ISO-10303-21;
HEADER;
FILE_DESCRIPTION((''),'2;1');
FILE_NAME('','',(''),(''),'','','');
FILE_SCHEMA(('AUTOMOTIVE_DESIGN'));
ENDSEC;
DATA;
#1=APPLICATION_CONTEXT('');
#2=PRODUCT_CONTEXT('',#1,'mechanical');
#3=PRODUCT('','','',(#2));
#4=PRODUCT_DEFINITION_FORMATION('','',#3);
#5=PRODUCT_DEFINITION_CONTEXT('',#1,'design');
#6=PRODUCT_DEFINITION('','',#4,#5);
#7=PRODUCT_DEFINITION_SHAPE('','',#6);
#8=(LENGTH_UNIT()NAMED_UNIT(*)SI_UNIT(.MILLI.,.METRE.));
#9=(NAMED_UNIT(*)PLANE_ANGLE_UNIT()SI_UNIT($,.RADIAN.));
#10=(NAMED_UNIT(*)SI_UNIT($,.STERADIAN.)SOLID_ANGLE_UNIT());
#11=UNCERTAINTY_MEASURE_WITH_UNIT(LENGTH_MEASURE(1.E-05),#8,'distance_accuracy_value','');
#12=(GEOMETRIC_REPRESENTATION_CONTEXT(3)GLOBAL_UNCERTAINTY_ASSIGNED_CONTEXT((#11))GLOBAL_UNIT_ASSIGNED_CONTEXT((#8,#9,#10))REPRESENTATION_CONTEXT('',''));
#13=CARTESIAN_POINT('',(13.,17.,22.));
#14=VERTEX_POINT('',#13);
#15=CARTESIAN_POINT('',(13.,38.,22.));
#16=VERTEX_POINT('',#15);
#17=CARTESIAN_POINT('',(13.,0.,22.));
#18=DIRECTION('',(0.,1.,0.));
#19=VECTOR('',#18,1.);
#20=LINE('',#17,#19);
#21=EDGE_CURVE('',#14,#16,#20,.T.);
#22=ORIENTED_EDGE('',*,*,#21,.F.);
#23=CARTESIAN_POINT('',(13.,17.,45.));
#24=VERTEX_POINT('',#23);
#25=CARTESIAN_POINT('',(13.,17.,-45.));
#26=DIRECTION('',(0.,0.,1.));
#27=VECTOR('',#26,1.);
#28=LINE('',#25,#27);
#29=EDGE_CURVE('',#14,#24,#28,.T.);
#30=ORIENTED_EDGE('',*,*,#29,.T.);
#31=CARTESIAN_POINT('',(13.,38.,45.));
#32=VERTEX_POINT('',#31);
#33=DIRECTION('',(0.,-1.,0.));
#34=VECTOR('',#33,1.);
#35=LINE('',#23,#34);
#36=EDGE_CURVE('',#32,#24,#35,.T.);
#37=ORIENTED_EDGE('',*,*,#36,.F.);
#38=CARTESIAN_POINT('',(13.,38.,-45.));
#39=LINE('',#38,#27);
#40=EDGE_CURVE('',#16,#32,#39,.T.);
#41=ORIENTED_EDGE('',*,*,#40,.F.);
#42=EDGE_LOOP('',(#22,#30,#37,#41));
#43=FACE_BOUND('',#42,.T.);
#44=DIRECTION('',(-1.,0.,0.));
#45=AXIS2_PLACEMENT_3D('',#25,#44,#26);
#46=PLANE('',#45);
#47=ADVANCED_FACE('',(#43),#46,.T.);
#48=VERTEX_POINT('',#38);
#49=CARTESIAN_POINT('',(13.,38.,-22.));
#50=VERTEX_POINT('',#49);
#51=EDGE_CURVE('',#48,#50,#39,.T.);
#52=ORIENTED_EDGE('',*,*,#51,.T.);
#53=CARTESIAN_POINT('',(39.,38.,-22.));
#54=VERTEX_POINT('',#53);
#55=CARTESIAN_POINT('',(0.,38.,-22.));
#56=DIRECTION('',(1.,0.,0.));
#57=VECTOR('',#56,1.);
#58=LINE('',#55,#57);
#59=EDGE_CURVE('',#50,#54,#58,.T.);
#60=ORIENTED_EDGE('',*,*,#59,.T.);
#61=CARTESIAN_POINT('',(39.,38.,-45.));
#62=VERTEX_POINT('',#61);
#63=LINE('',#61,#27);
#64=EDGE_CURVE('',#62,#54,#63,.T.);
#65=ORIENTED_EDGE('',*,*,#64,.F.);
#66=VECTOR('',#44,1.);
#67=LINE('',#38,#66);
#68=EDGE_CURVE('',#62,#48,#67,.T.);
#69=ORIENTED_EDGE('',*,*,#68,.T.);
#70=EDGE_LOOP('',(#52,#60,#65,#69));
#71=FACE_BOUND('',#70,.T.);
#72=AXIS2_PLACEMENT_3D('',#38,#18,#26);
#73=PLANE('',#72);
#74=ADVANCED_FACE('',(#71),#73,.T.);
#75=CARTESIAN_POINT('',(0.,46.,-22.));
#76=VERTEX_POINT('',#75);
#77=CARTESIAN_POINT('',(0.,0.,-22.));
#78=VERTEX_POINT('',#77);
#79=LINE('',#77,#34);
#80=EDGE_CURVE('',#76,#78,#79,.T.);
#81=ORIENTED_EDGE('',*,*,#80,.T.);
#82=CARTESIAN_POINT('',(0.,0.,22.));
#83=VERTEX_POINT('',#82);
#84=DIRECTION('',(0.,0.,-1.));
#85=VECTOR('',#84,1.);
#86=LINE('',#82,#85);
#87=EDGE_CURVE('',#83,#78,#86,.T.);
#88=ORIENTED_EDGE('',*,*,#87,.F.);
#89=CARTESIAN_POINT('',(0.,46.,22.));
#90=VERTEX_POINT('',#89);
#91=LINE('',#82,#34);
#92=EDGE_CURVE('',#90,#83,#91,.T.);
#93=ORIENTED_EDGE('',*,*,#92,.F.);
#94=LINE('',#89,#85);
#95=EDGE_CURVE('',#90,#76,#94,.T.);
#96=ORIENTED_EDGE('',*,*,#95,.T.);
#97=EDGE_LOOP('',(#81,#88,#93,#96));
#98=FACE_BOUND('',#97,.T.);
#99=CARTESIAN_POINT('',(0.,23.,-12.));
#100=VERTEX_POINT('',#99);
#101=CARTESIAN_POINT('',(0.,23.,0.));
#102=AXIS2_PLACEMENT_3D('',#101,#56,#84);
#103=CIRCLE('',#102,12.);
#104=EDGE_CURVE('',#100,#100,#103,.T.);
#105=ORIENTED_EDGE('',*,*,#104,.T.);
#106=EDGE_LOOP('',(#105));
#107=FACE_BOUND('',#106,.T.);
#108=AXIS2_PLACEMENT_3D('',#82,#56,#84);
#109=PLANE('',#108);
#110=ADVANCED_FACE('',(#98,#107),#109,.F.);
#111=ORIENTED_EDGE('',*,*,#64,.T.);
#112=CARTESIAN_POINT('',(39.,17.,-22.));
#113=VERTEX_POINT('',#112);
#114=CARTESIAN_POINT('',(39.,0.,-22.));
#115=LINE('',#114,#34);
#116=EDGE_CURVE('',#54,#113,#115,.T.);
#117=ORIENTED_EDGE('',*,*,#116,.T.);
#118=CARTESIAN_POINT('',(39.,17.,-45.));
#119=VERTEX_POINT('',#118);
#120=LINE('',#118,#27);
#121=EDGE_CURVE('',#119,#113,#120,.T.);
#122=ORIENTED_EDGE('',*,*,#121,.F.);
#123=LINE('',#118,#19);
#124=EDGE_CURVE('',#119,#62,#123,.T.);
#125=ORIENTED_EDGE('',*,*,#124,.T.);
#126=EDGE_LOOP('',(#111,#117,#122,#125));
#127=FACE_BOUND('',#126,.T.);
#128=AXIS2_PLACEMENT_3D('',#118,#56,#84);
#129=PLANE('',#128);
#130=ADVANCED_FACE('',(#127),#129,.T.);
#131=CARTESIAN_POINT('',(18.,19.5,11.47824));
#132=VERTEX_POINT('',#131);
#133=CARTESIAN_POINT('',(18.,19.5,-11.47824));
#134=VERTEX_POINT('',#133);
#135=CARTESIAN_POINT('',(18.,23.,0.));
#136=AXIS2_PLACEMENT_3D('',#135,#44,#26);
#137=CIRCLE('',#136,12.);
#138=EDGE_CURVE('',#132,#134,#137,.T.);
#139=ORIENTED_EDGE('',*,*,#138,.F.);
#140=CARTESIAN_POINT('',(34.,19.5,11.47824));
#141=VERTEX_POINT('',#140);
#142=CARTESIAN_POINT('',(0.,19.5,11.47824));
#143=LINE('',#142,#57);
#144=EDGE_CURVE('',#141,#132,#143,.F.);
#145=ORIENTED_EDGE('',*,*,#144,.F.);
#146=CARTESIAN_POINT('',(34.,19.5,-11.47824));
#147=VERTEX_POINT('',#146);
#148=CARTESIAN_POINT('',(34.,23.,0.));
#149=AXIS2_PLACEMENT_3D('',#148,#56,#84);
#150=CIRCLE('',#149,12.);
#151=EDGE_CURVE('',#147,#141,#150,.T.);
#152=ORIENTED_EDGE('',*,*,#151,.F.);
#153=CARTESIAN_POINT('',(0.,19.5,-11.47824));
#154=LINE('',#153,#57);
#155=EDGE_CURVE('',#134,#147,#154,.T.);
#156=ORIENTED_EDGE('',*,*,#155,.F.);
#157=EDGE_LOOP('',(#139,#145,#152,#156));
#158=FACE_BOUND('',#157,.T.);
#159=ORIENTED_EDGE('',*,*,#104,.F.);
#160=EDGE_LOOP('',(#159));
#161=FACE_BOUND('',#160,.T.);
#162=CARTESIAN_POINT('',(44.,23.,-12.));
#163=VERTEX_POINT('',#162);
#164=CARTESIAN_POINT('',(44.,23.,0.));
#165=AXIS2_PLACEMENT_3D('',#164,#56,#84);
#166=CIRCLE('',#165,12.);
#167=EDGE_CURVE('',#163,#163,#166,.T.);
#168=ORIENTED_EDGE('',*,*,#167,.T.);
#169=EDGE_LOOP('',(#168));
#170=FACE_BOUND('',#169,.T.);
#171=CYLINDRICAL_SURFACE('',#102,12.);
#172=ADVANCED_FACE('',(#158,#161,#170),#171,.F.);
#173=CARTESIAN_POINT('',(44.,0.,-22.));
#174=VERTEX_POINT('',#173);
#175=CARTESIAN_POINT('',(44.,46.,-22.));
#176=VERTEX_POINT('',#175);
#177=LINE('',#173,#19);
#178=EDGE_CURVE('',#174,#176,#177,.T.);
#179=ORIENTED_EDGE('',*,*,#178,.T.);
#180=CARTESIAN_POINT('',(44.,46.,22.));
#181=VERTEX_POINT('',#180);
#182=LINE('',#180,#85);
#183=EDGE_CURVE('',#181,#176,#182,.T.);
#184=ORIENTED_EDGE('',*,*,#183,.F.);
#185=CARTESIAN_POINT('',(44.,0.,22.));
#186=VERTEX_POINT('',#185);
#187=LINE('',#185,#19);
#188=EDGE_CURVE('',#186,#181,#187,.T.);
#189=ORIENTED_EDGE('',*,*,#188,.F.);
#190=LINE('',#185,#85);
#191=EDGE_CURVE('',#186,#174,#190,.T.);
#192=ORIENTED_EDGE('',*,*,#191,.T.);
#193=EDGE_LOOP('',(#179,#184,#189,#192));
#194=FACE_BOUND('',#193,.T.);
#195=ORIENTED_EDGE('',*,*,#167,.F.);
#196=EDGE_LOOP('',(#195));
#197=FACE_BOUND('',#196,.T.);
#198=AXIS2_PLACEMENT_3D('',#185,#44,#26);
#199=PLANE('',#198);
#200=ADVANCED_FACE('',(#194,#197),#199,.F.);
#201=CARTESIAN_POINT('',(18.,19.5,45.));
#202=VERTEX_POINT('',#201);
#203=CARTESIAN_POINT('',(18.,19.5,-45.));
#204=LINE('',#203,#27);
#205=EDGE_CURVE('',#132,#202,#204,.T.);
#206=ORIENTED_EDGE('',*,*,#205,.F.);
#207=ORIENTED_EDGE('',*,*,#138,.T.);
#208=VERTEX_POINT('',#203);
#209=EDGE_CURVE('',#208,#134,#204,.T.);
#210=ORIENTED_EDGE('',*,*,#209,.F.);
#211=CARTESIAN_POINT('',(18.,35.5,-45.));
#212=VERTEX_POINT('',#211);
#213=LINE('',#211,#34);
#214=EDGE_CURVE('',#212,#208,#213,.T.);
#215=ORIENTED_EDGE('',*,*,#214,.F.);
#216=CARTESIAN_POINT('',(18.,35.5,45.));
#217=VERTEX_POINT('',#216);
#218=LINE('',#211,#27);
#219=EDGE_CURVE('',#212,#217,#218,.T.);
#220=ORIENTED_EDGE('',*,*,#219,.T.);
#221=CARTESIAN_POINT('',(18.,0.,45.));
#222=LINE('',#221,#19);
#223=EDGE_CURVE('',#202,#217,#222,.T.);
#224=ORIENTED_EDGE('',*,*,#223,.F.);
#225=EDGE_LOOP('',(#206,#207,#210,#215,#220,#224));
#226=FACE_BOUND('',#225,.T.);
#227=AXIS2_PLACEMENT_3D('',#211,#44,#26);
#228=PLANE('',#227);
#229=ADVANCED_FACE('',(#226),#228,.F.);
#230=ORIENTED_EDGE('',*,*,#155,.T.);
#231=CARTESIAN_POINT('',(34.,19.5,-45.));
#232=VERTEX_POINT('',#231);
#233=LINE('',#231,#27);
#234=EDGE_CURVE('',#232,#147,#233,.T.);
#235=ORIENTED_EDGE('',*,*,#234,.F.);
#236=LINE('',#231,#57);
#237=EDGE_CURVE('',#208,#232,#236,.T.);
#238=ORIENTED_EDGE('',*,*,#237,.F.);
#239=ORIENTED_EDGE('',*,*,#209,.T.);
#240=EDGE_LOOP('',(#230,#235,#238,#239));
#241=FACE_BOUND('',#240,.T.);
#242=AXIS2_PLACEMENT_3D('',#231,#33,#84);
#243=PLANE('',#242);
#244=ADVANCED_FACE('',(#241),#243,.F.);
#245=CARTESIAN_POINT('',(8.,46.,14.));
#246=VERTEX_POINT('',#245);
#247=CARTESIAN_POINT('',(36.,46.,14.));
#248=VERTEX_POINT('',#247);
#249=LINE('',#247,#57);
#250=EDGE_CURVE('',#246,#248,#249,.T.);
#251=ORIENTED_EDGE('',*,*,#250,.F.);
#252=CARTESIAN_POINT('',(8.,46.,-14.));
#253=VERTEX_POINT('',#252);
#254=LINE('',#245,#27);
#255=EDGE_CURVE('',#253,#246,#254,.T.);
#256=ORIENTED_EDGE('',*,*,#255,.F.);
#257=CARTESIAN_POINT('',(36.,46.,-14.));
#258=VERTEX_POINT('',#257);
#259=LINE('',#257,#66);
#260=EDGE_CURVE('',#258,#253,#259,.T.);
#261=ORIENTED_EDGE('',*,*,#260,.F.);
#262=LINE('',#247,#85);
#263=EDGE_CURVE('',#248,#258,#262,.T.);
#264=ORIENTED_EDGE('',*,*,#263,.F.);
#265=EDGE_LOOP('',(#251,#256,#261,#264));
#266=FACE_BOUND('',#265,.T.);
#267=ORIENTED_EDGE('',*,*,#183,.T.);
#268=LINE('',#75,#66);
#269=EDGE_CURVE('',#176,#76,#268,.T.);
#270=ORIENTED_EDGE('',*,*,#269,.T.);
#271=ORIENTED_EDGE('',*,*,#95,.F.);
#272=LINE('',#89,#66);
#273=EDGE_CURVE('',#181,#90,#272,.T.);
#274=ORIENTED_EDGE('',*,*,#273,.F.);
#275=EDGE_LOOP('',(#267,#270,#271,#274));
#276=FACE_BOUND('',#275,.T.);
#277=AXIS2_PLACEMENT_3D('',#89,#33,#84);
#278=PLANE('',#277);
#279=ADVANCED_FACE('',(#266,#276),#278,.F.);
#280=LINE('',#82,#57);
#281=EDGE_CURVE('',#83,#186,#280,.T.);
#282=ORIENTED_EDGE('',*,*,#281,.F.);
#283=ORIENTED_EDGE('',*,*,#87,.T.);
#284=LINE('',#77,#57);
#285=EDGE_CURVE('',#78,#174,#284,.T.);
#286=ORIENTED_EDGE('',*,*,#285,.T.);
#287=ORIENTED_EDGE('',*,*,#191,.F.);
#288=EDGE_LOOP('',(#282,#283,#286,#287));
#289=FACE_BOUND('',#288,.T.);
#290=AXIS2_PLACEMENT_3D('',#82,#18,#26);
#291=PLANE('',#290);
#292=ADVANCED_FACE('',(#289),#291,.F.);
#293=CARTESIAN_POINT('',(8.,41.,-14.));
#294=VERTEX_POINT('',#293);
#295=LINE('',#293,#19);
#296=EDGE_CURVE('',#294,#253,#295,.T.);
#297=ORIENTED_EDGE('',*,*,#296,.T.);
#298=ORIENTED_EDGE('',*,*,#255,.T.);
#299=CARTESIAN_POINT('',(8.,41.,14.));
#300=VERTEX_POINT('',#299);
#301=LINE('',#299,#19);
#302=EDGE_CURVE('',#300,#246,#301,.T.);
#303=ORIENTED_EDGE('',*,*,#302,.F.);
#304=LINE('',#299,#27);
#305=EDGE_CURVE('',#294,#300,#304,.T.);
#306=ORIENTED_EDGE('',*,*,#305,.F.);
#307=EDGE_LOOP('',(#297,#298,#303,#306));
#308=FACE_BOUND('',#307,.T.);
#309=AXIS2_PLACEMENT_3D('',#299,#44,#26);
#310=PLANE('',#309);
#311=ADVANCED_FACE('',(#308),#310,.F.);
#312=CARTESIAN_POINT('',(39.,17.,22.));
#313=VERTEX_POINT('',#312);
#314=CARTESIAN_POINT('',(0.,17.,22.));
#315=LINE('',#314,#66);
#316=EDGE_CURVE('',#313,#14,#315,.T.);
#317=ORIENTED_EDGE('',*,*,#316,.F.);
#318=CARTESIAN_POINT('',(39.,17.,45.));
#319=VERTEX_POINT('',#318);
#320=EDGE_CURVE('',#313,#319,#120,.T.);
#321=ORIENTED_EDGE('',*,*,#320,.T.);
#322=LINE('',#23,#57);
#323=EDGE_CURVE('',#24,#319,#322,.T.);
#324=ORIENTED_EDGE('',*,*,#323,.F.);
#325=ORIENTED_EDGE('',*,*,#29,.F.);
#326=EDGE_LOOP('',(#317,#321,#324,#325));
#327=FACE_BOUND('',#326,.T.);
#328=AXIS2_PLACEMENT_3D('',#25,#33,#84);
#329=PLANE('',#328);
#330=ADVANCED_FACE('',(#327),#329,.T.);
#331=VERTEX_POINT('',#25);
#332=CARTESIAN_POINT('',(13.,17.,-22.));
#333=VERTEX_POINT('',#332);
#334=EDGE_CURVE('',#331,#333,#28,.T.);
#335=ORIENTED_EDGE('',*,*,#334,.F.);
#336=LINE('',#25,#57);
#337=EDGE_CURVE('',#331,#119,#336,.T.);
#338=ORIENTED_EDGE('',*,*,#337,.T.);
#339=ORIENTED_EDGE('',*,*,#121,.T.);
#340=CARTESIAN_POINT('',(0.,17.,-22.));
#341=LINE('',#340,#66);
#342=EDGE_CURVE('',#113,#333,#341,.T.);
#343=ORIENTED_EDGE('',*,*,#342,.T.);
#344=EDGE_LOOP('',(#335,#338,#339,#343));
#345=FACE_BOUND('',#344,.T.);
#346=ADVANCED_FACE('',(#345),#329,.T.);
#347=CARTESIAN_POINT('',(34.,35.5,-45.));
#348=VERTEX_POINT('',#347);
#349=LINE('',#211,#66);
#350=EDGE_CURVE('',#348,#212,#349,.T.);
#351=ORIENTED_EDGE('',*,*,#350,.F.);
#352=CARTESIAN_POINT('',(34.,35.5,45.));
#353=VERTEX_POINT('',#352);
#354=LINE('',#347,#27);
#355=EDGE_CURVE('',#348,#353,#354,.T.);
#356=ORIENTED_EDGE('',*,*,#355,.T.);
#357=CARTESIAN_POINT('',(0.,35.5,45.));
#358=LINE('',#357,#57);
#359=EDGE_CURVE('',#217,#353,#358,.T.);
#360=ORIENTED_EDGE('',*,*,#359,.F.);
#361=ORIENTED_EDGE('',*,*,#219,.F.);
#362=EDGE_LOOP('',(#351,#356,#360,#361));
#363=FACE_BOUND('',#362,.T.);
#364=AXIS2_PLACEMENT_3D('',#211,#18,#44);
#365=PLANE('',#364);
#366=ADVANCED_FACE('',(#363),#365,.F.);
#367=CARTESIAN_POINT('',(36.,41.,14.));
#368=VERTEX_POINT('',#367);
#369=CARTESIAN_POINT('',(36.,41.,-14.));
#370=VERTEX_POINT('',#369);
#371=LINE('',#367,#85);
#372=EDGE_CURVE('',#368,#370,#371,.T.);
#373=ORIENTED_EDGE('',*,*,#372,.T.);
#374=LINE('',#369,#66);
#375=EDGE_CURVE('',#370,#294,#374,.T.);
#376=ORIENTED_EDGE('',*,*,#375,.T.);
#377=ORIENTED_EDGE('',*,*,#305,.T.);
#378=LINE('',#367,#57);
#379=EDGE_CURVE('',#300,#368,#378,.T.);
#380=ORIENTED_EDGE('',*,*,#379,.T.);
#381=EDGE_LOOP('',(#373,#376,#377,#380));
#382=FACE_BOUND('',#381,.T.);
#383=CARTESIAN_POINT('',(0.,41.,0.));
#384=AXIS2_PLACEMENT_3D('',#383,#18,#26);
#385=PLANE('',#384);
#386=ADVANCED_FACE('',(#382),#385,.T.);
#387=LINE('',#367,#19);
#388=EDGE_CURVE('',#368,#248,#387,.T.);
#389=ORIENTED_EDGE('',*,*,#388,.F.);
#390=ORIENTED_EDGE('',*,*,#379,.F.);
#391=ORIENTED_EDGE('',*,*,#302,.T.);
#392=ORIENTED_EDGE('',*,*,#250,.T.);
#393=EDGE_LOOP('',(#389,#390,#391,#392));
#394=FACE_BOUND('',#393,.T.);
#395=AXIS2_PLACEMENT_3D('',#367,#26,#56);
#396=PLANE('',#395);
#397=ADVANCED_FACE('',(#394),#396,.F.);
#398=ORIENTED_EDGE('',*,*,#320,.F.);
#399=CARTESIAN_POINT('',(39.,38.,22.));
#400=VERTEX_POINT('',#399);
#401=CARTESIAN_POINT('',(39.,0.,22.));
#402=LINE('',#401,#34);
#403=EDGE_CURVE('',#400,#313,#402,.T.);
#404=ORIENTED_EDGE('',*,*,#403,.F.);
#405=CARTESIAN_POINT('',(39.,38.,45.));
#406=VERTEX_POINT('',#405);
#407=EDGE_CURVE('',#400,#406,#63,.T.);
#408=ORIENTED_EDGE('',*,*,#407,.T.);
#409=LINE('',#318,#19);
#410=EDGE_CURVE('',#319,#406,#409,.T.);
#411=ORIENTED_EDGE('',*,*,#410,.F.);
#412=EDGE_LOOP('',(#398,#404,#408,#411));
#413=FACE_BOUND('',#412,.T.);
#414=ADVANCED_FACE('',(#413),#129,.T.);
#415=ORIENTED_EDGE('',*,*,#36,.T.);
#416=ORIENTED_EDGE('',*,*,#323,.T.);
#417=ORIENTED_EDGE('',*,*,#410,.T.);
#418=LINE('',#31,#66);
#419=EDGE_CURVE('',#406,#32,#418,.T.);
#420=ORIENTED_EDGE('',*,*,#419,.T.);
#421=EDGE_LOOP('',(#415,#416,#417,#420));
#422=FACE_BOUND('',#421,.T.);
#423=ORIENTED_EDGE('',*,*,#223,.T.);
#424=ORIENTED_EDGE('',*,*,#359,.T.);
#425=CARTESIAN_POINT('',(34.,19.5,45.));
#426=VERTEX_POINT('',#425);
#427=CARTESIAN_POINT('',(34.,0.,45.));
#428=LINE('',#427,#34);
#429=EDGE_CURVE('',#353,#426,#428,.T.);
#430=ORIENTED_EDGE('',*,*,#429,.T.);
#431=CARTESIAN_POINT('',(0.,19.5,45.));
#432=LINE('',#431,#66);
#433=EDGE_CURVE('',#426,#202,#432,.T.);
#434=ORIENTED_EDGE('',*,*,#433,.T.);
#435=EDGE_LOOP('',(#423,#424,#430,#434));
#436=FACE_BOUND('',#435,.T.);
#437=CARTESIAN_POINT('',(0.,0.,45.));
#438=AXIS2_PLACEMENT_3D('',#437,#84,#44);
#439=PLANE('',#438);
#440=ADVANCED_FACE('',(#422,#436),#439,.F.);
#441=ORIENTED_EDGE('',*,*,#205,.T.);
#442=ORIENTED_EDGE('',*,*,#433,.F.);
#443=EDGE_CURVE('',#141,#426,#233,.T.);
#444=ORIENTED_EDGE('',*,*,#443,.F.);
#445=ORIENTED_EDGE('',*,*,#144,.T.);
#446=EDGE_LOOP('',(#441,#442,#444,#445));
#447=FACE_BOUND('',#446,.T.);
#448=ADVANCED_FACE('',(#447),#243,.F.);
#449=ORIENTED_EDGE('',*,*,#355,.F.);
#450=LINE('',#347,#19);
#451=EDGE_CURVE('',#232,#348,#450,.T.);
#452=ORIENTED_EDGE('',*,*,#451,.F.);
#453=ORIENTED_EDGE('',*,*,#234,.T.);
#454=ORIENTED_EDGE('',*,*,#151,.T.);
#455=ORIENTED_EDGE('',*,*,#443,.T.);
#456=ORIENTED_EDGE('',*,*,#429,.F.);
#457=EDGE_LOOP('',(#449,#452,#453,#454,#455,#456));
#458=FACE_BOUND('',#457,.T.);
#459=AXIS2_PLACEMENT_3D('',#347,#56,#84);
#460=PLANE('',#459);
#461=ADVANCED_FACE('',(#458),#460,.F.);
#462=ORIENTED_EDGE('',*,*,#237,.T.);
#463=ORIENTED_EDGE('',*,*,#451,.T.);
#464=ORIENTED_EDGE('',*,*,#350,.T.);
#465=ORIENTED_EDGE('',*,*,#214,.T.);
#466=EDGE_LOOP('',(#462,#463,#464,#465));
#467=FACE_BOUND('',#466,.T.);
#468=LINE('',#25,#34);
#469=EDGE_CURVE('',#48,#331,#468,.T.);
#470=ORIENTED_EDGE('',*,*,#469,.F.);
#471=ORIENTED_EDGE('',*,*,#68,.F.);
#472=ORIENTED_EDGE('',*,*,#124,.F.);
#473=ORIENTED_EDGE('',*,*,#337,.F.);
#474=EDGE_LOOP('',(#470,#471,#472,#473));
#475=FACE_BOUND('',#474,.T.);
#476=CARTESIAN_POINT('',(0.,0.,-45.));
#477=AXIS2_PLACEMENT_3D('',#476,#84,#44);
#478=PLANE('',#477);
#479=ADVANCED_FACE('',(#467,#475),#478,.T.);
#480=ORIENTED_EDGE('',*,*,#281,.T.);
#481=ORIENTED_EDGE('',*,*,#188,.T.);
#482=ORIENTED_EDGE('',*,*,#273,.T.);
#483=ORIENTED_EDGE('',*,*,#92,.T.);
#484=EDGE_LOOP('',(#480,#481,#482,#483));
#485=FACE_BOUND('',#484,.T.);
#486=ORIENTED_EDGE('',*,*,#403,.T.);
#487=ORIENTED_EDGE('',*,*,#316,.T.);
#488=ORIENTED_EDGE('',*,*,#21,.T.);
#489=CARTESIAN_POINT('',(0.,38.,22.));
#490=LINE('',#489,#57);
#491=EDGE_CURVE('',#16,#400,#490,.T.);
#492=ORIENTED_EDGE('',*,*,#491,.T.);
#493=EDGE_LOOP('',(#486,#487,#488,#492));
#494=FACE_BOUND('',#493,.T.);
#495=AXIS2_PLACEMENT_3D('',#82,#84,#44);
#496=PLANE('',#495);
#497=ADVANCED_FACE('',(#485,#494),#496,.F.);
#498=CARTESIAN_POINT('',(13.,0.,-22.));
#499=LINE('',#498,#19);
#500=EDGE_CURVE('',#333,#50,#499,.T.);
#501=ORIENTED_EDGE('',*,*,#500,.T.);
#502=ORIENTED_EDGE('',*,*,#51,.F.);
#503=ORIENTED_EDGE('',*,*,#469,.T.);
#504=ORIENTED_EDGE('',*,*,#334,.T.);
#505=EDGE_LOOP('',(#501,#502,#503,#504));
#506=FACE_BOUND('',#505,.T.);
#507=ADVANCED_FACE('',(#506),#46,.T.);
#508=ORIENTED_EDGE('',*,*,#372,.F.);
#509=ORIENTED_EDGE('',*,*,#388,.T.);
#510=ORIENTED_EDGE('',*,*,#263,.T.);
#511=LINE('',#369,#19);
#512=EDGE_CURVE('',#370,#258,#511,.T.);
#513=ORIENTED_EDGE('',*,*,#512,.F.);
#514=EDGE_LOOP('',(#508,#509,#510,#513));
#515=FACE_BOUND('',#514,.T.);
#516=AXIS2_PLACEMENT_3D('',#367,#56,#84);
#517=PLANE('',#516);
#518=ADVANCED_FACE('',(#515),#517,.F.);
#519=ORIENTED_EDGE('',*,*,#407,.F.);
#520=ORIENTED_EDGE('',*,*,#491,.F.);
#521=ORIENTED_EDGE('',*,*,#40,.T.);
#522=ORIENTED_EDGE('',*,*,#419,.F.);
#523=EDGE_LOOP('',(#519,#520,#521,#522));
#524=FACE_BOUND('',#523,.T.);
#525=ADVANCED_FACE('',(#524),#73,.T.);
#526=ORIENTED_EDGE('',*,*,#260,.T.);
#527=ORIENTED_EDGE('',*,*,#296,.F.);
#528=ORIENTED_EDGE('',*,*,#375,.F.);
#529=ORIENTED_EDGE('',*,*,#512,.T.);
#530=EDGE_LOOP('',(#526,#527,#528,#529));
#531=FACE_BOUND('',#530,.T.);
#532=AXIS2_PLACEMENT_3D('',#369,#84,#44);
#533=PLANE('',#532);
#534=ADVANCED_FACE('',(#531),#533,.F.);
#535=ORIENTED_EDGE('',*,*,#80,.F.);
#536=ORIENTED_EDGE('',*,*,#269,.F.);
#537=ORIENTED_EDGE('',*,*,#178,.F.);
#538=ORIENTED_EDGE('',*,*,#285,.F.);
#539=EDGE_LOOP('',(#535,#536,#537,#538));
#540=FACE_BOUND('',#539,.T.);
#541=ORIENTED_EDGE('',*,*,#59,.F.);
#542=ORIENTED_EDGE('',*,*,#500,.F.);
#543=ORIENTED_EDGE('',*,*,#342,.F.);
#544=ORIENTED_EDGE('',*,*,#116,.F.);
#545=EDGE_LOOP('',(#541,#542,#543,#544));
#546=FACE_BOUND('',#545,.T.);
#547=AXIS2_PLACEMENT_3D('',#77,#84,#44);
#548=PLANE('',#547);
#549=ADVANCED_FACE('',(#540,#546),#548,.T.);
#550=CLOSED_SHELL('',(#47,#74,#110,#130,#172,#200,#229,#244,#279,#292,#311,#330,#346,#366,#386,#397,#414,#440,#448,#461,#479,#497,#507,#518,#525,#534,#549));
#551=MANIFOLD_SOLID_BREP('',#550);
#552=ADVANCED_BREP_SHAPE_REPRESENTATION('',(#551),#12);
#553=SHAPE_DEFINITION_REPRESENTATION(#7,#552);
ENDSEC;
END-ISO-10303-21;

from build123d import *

# Parameters (mm, degrees)
SKETCH1_W                = 44
SKETCH1_H                = 46
BOSS_EXTRUDE1_DEPTH      = 22
BOSS_EXTRUDE3_DEPTH      = 23
BOSS_EXTRUDE3_DEPTH_BACK = 67
SKETCH4_W                = 26
SKETCH4_H                = 21
CUT_EXTRUDE1_DEPTH       = 111.236110236
CUT_EXTRUDE1_DEPTH_BACK  = 111.236110236
SKETCH5_W                = 16
SKETCH5_H                = 16
SKETCH6_R                = 12
CUT_EXTRUDE2_DEPTH       = 44
SKETCH7_W                = 28
SKETCH7_H                = 28
CUT_EXTRUDE3_DEPTH       = 5


with BuildPart() as part:
    # Sketch1 → Boss-Extrude1 (new, symmetric)
    with BuildSketch(Plane.XY):
        with Locations((22, 23)):
            Rectangle(SKETCH1_W, SKETCH1_H)
    extrude(amount=BOSS_EXTRUDE1_DEPTH, both=True)

    # Sketch4 → Boss-Extrude3 (add, two sides: drawn at the far end of the back side and taken through both)
    with BuildSketch(Plane.XY.offset(22).offset(-BOSS_EXTRUDE3_DEPTH_BACK)):
        with Locations((26, 27.5)):
            Rectangle(SKETCH4_W, SKETCH4_H)
    extrude(amount=BOSS_EXTRUDE3_DEPTH + BOSS_EXTRUDE3_DEPTH_BACK)

    # Sketch5 → Cut-Extrude1 (cut, two sides: drawn at the far end of the back side and taken through both)
    with BuildSketch(Plane.XY.offset(45).offset(-CUT_EXTRUDE1_DEPTH_BACK)):
        with Locations((26, 27.5)):
            Rectangle(SKETCH5_W, SKETCH5_H)
    extrude(amount=CUT_EXTRUDE1_DEPTH + CUT_EXTRUDE1_DEPTH_BACK, mode=Mode.SUBTRACT)

    # Sketch6 → Cut-Extrude2 (cut)
    with BuildSketch(Plane(origin=(44, 0, 0), x_dir=(0, 0, -1), z_dir=(1, 0, 0))):
        with Locations((0, 23)):
            Circle(SKETCH6_R)
    extrude(amount=-CUT_EXTRUDE2_DEPTH, mode=Mode.SUBTRACT)

    # Sketch7 → Cut-Extrude3 (cut)
    with BuildSketch(Plane(origin=(0, 46, 0), x_dir=(1, 0, 0), z_dir=(0, 1, 0))):
        with Locations((22, 0)):
            Rectangle(SKETCH7_W, SKETCH7_H)
    extrude(amount=-CUT_EXTRUDE3_DEPTH, mode=Mode.SUBTRACT)


solid = part.part
